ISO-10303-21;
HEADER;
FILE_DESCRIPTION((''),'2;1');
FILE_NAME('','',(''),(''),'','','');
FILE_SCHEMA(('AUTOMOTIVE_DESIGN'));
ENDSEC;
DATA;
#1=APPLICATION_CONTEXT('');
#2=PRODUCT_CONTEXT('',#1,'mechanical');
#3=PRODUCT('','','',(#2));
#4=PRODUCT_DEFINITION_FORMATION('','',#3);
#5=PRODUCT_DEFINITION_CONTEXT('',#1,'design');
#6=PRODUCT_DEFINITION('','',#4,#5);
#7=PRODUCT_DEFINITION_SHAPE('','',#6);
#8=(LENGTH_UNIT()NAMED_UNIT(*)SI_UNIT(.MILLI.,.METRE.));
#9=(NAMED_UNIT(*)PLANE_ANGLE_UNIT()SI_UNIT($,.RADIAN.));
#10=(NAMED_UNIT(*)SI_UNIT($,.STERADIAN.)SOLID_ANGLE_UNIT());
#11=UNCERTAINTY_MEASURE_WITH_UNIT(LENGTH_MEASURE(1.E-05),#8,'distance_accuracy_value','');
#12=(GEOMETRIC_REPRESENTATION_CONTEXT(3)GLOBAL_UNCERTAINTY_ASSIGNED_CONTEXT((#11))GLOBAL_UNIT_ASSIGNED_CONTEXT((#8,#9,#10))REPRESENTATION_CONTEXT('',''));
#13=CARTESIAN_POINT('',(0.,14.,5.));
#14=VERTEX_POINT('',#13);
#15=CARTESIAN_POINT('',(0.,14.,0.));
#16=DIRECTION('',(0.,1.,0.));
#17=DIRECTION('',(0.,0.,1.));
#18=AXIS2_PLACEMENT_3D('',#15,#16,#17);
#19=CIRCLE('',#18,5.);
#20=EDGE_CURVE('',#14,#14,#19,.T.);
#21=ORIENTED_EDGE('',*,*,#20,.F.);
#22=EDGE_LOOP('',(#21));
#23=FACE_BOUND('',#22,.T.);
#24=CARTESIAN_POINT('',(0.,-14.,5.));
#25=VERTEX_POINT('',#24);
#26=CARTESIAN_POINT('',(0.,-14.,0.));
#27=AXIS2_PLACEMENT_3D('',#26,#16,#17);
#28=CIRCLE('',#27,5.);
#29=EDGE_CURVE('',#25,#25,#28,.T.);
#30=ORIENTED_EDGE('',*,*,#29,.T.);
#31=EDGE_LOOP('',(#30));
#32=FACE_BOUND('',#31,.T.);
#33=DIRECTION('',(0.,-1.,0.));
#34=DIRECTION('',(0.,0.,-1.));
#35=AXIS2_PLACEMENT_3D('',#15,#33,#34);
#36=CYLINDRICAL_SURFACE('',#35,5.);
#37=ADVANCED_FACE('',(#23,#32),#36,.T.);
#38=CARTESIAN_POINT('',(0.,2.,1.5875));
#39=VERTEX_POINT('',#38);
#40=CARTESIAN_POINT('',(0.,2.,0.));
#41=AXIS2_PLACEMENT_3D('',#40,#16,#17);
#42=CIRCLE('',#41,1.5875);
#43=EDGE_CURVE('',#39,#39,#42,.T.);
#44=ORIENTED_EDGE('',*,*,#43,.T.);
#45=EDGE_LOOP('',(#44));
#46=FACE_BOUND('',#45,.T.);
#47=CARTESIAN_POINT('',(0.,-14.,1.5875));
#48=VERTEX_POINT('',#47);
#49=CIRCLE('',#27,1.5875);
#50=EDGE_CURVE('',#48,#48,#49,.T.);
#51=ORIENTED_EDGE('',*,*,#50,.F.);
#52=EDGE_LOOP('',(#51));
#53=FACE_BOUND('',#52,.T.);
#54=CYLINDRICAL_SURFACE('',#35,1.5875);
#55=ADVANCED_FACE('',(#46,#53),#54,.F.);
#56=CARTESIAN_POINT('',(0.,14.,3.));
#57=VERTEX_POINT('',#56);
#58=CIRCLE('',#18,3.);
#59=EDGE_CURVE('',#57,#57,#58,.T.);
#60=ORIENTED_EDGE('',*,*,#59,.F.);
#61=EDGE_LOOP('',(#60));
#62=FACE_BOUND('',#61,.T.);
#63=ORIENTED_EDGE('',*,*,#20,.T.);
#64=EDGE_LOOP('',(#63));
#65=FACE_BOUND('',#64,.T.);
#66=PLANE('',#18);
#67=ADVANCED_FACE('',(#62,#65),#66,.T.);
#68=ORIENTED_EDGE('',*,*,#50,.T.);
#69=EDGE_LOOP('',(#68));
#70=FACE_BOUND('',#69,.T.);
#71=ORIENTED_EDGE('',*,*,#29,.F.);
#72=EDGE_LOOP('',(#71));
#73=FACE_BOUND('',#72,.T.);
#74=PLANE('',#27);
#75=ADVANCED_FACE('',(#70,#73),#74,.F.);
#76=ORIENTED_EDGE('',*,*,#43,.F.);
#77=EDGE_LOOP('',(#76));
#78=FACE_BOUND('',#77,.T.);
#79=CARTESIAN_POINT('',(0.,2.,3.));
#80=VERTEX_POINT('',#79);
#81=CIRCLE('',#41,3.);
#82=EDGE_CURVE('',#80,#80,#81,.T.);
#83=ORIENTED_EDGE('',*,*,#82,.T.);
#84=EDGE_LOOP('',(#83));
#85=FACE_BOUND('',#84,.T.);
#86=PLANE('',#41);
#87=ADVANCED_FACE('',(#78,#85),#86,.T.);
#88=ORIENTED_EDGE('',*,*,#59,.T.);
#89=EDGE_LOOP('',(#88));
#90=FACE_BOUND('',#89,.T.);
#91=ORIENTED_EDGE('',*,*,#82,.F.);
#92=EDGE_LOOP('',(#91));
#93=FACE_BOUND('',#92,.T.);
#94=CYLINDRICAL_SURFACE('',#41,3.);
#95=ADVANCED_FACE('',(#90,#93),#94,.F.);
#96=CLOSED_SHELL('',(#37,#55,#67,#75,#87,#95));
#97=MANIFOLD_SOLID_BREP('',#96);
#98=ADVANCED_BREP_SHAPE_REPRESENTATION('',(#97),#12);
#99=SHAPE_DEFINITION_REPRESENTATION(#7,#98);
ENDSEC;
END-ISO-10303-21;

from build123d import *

# Parameters (mm, degrees)
SKETCH1_R           = 5
SKETCH1_R_2         = 1.5875
BOSS_EXTRUDE1_DEPTH = 14
SKETCH2_R           = 3
CUT_EXTRUDE1_DEPTH  = 12


with BuildPart() as part:
    # Sketch1 → Boss-Extrude1 (new, symmetric)
    with BuildSketch(Plane(origin=(0, 0, 0), x_dir=(1, 0, 0), z_dir=(0, 1, 0))):
        with Locations(Location((0, 0, 0), (0, 0, 270))):
            Circle(SKETCH1_R)
        with Locations(Location((0, 0, 0), (0, 0, 270))):
            Circle(SKETCH1_R_2, mode=Mode.SUBTRACT)
    extrude(amount=BOSS_EXTRUDE1_DEPTH, both=True)

    # Sketch2 → Cut-Extrude1 (cut)
    with BuildSketch(Plane(origin=(0, 14, 0), x_dir=(1, 0, 0), z_dir=(0, 1, 0))):
        with Locations(Location((0, 0, 0), (0, 0, 270))):
            Circle(SKETCH2_R)
    extrude(amount=-CUT_EXTRUDE1_DEPTH, mode=Mode.SUBTRACT)


solid = part.part
